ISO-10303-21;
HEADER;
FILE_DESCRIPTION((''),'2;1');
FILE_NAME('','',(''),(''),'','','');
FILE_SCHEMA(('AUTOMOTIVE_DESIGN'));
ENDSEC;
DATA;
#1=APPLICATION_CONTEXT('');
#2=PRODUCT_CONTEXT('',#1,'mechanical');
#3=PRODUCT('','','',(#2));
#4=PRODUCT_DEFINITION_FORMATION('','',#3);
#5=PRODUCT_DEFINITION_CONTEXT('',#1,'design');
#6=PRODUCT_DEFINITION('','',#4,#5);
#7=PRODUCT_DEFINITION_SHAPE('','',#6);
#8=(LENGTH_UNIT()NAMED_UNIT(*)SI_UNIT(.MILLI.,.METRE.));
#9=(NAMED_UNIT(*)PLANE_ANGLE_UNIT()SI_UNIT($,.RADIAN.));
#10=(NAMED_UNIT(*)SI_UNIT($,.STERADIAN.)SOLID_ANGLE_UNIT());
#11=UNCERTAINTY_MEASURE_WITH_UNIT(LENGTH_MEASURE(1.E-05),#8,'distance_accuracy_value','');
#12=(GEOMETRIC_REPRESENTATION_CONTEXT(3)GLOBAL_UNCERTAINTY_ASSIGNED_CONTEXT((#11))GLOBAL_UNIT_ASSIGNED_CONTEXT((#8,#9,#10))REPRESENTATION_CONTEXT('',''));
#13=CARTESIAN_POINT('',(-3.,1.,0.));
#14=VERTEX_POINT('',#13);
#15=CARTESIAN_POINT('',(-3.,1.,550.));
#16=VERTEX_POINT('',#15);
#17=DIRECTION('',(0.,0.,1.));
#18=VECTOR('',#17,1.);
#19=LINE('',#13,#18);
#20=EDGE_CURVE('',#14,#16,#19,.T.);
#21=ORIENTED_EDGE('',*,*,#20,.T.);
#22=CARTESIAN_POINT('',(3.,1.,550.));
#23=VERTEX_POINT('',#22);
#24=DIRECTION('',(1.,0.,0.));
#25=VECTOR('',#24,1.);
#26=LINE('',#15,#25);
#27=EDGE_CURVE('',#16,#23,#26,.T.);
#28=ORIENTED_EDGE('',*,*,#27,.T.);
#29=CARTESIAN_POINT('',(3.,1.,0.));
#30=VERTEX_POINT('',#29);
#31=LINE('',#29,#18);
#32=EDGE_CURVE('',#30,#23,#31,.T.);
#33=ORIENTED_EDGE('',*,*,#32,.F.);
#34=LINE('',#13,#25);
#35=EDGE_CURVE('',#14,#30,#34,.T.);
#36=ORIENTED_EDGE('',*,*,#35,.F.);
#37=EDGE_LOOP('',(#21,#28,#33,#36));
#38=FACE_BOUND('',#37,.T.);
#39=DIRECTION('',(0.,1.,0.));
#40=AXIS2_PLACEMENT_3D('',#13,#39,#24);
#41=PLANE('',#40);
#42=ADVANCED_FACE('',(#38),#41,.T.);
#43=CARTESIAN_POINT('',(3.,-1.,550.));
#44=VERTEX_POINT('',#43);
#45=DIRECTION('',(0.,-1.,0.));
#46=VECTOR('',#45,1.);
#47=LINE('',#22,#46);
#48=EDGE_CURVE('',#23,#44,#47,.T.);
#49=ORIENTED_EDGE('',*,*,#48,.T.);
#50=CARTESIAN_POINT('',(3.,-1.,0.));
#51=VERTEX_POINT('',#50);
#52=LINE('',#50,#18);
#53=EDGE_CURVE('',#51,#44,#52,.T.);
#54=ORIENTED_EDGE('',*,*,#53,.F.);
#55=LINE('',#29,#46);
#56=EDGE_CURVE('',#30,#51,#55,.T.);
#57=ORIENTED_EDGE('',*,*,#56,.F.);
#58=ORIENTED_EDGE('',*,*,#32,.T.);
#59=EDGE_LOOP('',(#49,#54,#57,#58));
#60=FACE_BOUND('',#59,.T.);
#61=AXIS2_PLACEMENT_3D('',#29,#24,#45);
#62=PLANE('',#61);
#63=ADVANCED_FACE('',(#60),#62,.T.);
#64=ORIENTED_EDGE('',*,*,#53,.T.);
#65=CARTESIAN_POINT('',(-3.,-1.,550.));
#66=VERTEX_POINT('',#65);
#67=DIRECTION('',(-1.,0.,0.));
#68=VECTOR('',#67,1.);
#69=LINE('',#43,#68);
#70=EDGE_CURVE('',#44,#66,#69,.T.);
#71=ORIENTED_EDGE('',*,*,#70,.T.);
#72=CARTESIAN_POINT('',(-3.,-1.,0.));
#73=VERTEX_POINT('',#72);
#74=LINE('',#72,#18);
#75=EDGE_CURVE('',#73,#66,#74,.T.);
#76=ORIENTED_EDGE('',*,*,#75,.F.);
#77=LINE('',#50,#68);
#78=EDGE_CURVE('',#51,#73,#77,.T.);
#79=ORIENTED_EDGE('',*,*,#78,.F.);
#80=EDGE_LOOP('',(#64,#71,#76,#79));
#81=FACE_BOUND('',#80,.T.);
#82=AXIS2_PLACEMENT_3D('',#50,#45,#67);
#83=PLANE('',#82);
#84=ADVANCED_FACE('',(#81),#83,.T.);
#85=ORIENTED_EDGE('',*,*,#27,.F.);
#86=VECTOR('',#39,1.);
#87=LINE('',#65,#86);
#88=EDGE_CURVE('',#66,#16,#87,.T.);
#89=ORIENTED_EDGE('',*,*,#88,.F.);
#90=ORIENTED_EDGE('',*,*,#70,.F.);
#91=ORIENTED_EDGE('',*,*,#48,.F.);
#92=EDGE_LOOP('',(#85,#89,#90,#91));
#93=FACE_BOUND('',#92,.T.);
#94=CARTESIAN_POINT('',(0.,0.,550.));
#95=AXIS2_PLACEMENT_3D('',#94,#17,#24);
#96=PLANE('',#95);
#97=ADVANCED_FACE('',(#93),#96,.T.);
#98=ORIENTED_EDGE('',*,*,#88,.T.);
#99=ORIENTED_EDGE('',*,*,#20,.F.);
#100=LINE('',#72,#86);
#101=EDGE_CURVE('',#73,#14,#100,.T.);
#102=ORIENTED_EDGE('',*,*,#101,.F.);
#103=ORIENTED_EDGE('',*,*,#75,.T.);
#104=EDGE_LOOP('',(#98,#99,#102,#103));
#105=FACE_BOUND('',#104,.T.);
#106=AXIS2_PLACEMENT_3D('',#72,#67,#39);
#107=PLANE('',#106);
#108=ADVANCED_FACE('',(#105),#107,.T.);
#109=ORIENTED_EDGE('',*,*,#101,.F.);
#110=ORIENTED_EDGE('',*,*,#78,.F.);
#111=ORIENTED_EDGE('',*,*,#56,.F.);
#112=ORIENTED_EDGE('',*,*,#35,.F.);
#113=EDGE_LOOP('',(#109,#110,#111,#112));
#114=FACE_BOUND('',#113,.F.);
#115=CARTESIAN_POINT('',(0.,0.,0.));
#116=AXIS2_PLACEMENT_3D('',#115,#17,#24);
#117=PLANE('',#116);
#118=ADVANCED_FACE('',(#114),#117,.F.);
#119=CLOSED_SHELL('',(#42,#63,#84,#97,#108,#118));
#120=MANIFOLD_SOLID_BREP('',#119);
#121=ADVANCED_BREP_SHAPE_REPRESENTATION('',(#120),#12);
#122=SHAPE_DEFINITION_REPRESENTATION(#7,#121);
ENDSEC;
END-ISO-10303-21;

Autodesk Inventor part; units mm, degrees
ref_plane "YZ Plane" through (0, 0, 0) normal (1, 0, 0) x (0, 1, 0)
ref_plane "XZ Plane" through (0, 0, 0) normal (0, 1, 0) x (-1, 0, 0)
ref_plane "XY Plane" through (0, 0, 0) normal (0, 0, 1) x (1, 0, 0)
sketch "Sketch1" plane through (0, 0, 0) normal (0, 0, 1) x (1, 0, 0)
  line L0 (-3, 1) -> (3, 1)
  line L1 (3, 1) -> (3, -1)
  line L2 (3, -1) -> (-3, -1)
  line L3 (-3, -1) -> (-3, 1)
  point P0 (0, 0)
  dimension "d0" = 6
  dimension "d1" = 2
  dimension "d2" = 1
  dimension "d3" = 3
extrude "Extrusion1" add sketch "Sketch1" along normal blind 550
equation "\"d2\" = 0.5 * d1"
equation "\"d3\" = 0.5 * d0"
properties part number "GT2_XY_belting" material "Rubber"
